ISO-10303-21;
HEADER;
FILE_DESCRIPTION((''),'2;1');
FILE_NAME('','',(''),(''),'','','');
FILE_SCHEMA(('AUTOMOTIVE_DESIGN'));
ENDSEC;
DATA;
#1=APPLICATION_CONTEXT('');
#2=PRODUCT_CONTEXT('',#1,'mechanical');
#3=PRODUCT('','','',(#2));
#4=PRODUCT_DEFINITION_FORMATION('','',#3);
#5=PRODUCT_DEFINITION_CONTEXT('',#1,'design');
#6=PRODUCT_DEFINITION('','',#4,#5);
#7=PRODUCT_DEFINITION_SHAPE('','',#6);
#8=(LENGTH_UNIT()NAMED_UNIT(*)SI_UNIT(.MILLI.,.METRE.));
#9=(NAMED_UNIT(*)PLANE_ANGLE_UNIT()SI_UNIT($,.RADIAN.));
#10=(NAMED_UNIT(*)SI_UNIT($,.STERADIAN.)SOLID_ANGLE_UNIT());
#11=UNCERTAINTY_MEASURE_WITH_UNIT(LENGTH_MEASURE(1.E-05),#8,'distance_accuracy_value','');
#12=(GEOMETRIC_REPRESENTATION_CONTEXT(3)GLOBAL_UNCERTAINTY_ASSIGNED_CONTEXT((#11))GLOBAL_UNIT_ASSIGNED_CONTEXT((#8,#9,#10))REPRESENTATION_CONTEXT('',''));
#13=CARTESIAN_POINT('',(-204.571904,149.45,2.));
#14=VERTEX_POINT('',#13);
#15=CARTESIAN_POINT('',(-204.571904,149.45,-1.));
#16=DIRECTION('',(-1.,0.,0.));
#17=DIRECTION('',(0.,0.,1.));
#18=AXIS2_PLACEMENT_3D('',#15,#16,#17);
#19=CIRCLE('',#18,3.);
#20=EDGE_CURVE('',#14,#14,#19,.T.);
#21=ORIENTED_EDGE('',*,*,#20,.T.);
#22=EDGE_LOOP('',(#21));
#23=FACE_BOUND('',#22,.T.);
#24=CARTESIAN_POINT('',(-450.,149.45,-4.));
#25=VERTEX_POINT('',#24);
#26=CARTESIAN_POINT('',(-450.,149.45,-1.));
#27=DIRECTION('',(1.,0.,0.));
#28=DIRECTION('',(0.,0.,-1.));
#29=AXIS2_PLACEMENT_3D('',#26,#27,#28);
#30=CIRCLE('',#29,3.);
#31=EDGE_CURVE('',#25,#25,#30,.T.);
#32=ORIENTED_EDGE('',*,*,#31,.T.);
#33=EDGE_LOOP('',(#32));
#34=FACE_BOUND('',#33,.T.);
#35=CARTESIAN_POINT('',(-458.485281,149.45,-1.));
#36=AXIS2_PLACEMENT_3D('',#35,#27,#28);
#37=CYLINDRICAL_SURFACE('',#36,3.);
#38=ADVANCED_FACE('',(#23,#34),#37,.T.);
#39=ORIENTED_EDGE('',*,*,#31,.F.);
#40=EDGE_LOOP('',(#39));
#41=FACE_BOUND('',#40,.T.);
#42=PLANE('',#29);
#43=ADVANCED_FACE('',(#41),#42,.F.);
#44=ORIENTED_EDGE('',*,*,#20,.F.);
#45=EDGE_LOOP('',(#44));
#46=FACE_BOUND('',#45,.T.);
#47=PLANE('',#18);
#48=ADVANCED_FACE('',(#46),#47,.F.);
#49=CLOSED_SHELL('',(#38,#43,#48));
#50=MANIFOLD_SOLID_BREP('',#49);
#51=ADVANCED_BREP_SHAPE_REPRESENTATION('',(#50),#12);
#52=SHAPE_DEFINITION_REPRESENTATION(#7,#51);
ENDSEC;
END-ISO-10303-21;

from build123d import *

# Parameters (mm, degrees)
SKETCH1_R           = 3
BOSS_EXTRUDE1_DEPTH = 245.428096465


with BuildPart() as part:
    # Sketch1 → Boss-Extrude1 (new body)
    with BuildSketch(Plane.ZY.offset(204.571903535)):
        with Locations(Location((-1, 149.45, 0), (0, 0, 180))):
            Circle(SKETCH1_R)
    extrude(amount=BOSS_EXTRUDE1_DEPTH)


solid = part.part
